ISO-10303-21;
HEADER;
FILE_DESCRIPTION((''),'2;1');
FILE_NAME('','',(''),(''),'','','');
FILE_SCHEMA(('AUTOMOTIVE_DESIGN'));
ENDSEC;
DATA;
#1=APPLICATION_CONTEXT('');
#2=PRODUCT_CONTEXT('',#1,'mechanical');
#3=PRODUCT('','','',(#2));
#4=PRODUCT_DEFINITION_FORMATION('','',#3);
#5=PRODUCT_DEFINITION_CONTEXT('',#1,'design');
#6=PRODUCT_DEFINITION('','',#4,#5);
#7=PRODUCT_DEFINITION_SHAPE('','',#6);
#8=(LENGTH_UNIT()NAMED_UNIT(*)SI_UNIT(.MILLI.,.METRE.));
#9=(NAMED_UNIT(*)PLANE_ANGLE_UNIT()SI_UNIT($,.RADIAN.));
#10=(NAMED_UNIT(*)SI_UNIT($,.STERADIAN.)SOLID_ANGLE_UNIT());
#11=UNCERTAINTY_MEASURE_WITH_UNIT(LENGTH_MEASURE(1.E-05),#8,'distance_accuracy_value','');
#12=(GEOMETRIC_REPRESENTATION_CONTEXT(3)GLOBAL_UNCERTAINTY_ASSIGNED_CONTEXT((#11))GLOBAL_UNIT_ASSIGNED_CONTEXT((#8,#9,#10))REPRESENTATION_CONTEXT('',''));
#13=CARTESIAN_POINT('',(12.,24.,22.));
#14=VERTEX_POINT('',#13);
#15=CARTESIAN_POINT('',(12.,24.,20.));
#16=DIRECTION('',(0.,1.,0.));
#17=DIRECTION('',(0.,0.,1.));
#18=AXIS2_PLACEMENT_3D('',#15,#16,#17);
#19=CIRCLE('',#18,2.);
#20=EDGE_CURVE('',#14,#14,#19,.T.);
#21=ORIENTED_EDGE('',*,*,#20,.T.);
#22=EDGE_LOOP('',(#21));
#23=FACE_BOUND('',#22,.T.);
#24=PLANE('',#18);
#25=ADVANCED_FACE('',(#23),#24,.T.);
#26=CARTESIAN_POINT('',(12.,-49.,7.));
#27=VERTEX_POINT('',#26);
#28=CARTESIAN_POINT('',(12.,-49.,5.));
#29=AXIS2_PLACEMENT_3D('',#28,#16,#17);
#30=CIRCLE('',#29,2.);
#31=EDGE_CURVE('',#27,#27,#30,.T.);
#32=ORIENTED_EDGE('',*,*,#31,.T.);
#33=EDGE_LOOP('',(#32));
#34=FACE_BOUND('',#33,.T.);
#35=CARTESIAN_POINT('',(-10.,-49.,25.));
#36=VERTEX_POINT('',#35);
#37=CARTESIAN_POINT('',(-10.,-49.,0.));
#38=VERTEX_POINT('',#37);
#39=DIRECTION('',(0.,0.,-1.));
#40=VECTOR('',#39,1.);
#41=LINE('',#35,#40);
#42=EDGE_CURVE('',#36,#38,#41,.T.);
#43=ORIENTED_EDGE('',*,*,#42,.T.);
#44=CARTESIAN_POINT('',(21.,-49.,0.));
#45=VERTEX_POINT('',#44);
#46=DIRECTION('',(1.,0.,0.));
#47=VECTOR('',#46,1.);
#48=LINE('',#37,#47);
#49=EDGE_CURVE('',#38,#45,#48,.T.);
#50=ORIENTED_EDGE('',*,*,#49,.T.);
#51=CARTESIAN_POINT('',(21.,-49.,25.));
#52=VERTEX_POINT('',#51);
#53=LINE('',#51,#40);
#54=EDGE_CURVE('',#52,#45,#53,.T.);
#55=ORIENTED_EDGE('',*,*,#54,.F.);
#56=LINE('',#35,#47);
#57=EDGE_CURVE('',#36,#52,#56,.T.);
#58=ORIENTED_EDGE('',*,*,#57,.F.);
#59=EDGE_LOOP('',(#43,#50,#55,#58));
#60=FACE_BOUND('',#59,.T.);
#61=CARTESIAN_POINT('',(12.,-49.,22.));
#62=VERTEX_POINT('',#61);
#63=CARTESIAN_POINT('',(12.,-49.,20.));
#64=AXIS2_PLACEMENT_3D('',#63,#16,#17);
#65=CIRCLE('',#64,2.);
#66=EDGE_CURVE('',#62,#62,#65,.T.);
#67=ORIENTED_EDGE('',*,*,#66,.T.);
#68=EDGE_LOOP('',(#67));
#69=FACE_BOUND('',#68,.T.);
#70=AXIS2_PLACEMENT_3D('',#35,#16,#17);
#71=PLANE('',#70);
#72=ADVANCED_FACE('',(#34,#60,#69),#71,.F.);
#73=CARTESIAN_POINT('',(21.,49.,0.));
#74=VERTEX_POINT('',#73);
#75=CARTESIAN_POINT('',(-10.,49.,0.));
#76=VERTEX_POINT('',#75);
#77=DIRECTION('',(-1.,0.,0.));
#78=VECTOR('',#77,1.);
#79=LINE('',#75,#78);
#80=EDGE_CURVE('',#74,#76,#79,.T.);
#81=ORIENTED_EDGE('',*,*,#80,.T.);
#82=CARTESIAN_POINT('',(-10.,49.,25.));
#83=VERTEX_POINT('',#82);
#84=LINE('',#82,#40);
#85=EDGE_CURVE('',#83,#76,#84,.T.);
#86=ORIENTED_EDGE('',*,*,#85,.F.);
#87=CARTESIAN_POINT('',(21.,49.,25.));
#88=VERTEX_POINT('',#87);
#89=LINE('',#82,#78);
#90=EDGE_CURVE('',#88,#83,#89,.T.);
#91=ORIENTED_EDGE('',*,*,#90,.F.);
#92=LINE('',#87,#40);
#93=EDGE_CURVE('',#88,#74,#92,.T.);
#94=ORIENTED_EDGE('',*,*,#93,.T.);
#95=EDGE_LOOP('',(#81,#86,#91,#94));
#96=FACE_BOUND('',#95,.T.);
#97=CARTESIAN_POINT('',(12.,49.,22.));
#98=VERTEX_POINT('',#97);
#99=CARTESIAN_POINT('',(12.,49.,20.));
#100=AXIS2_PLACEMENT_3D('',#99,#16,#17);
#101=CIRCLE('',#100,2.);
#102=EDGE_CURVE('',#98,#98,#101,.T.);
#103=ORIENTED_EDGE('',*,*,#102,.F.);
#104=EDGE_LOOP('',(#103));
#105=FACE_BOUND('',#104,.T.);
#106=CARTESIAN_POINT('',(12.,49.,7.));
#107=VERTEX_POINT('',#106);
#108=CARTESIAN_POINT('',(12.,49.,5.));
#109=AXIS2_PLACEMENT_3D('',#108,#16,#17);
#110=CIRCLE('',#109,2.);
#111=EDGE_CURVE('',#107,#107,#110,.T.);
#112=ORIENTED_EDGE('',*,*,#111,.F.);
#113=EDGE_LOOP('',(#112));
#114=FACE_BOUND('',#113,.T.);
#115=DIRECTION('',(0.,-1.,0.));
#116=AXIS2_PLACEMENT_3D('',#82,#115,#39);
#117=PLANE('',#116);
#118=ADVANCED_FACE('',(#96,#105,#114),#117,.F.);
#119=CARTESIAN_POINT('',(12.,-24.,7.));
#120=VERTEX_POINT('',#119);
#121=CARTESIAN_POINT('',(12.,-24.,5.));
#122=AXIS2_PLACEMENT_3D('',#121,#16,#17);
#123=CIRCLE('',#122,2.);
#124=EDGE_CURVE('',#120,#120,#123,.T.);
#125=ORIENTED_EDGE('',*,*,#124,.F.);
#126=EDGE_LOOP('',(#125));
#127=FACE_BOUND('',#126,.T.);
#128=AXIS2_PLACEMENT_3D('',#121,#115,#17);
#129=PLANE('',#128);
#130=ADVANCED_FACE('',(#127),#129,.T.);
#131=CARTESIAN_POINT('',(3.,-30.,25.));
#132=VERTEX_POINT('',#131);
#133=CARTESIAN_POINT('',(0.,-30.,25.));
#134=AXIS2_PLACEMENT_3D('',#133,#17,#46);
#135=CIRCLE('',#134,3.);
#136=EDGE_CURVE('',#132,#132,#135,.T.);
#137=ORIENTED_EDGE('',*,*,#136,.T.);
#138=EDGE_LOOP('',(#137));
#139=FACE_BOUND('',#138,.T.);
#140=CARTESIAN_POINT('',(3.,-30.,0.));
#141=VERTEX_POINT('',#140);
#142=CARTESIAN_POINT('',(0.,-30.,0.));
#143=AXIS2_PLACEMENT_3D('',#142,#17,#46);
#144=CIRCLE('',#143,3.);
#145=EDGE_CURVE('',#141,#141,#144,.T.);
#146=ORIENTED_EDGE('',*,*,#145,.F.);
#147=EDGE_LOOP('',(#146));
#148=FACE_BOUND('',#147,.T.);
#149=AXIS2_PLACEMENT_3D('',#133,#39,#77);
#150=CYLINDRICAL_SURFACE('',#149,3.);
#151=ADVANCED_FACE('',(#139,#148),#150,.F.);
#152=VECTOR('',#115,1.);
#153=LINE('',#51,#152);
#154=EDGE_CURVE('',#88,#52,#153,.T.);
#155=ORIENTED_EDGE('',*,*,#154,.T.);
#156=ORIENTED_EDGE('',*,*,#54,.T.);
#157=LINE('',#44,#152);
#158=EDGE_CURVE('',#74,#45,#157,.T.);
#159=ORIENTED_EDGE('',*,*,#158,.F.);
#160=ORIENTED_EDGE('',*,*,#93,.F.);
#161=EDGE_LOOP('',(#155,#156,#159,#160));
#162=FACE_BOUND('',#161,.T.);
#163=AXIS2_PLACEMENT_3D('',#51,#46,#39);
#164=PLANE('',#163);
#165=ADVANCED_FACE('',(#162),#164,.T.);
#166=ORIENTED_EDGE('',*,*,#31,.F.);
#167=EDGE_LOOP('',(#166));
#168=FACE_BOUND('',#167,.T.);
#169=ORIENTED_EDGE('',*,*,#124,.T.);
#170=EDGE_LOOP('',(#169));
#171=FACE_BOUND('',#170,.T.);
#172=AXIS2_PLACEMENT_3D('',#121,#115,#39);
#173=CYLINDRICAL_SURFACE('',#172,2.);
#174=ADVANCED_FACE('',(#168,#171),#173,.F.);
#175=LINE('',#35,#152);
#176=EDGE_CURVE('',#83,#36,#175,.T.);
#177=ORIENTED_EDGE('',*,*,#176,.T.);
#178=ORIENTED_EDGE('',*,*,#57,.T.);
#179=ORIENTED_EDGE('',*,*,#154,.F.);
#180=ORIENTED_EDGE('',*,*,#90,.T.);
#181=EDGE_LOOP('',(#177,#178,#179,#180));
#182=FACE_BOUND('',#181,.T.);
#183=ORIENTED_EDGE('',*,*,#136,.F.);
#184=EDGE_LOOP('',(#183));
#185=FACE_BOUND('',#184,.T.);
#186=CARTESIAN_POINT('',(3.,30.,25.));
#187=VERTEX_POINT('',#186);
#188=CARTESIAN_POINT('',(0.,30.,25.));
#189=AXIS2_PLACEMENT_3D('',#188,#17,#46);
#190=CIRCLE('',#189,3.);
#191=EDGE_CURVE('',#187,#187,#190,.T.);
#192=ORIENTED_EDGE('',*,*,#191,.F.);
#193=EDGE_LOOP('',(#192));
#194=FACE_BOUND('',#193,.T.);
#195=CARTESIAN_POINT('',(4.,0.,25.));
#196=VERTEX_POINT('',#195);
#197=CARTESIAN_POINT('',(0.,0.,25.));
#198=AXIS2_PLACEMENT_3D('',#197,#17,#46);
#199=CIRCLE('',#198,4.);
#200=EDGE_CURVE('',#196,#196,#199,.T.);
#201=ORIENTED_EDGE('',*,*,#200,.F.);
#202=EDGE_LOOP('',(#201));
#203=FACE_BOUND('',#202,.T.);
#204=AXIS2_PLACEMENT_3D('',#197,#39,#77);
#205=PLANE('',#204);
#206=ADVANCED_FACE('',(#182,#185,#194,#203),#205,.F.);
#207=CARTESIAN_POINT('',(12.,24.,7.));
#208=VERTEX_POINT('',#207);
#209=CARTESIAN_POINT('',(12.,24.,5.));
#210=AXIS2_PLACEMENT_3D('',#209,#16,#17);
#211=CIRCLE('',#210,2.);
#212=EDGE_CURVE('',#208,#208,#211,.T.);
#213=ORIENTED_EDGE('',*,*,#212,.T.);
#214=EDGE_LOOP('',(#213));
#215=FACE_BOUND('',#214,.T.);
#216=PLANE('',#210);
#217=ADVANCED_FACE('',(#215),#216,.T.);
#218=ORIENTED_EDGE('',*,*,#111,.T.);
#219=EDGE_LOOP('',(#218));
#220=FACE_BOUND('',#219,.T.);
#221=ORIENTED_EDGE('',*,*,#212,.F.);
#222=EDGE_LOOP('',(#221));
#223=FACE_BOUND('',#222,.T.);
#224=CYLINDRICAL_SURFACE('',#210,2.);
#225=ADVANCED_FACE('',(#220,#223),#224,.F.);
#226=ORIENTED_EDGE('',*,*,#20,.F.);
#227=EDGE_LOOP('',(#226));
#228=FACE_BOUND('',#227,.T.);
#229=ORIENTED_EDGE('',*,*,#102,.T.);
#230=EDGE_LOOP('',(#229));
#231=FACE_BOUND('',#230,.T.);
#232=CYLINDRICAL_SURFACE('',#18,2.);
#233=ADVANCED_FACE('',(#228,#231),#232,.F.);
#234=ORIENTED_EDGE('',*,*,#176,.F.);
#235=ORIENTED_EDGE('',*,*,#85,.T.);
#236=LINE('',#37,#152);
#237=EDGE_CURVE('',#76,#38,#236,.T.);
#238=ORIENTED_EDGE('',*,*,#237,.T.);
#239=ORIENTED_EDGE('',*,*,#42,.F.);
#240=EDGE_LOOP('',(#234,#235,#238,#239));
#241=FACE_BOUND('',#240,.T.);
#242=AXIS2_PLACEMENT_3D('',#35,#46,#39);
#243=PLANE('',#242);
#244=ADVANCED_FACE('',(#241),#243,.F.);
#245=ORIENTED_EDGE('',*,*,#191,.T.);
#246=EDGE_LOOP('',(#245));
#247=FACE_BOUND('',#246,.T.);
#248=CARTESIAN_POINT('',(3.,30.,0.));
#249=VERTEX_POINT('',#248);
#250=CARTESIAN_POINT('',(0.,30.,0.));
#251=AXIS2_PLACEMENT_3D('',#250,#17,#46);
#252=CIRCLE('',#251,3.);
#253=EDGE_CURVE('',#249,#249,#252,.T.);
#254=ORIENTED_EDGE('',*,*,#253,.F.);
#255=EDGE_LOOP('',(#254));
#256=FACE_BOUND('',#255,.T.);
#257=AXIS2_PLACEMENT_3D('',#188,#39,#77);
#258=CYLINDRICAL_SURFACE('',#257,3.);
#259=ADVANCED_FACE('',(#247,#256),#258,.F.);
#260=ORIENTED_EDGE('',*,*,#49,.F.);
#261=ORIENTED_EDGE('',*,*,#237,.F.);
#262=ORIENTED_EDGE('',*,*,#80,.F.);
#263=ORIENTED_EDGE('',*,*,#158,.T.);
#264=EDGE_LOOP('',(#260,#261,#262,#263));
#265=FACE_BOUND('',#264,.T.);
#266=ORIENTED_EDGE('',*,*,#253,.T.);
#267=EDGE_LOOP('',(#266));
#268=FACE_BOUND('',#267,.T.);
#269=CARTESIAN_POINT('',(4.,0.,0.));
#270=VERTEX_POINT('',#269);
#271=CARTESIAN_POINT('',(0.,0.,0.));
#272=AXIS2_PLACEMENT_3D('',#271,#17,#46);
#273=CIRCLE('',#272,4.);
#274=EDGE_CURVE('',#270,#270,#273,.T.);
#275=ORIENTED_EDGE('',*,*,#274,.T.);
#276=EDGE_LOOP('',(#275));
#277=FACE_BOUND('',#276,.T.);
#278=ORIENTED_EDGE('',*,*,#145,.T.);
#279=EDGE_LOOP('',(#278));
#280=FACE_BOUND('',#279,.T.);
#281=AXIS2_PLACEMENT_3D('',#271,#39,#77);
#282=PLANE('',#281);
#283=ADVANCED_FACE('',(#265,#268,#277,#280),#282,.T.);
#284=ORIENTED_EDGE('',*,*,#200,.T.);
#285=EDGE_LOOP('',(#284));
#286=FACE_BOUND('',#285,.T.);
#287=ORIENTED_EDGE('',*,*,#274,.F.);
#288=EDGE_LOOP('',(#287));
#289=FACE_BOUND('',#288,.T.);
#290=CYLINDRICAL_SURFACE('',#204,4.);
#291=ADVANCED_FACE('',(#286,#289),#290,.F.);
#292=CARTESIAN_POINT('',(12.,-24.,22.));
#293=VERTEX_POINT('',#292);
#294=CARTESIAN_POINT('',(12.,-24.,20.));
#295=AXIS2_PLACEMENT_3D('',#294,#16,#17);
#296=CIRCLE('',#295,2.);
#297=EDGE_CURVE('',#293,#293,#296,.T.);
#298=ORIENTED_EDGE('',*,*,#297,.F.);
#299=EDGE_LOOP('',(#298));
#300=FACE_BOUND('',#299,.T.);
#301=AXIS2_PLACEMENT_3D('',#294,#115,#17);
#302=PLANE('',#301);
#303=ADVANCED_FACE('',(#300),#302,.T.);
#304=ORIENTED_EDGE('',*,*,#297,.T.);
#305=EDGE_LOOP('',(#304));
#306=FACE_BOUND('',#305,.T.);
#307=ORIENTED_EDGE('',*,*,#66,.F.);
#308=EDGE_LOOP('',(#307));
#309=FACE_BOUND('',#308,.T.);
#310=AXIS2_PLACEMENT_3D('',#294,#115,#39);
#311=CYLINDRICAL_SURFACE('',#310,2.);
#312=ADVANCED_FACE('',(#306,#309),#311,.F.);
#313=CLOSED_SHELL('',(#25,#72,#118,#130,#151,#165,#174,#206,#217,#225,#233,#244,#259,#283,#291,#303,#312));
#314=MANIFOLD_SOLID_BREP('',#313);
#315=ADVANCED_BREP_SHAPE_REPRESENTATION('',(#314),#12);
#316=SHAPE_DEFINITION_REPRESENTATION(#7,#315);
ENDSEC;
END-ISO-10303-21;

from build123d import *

# Parameters (mm, degrees)
SKETCH1_W           = 20
SKETCH1_H           = 98
SKETCH1_R           = 4
SKETCH1_R_2         = 3
BOSS_EXTRUDE1_DEPTH = 25
SKETCH2_W           = 11
SKETCH2_H           = 98
BOSS_EXTRUDE2_DEPTH = 25
SKETCH3_R           = 2
CUT_EXTRUDE1_DEPTH  = 25


with BuildPart() as part:
    # Sketch1 → Boss-Extrude1 (new body)
    with BuildSketch(Plane.XY):
        Rectangle(SKETCH1_W, SKETCH1_H)
        Circle(SKETCH1_R, mode=Mode.SUBTRACT)
        with Locations((0, -30)):
            Circle(SKETCH1_R_2, mode=Mode.SUBTRACT)
        with Locations((0, 30)):
            Circle(SKETCH1_R_2, mode=Mode.SUBTRACT)
    extrude(amount=BOSS_EXTRUDE1_DEPTH)

    # Sketch2 → Boss-Extrude2 (add, through all)
    with BuildSketch(Plane(origin=(0, 0, 0), x_dir=(-1, 0, 0), z_dir=(0, 0, -1))):
        with Locations((-15.5, 0)):
            Rectangle(SKETCH2_W, SKETCH2_H)
    extrude(amount=-BOSS_EXTRUDE2_DEPTH)

    # Sketch3 → Cut-Extrude1 (cut)
    with BuildSketch(Plane(origin=(0, 49, 0), x_dir=(1, 0, 0), z_dir=(0, 1, 0))):
        with Locations(Location((12, -5, 0), (0, 0, 270))):
            Circle(SKETCH3_R)
        with Locations(Location((12, -20, 0), (0, 0, 270))):
            Circle(SKETCH3_R)
    cut_extrude1 = extrude(amount=-CUT_EXTRUDE1_DEPTH, mode=Mode.SUBTRACT)

    # Mirror1: Cut-Extrude1 across plane
    add(cut_extrude1.mirror(Plane.ZX), mode=Mode.SUBTRACT)


solid = part.part
